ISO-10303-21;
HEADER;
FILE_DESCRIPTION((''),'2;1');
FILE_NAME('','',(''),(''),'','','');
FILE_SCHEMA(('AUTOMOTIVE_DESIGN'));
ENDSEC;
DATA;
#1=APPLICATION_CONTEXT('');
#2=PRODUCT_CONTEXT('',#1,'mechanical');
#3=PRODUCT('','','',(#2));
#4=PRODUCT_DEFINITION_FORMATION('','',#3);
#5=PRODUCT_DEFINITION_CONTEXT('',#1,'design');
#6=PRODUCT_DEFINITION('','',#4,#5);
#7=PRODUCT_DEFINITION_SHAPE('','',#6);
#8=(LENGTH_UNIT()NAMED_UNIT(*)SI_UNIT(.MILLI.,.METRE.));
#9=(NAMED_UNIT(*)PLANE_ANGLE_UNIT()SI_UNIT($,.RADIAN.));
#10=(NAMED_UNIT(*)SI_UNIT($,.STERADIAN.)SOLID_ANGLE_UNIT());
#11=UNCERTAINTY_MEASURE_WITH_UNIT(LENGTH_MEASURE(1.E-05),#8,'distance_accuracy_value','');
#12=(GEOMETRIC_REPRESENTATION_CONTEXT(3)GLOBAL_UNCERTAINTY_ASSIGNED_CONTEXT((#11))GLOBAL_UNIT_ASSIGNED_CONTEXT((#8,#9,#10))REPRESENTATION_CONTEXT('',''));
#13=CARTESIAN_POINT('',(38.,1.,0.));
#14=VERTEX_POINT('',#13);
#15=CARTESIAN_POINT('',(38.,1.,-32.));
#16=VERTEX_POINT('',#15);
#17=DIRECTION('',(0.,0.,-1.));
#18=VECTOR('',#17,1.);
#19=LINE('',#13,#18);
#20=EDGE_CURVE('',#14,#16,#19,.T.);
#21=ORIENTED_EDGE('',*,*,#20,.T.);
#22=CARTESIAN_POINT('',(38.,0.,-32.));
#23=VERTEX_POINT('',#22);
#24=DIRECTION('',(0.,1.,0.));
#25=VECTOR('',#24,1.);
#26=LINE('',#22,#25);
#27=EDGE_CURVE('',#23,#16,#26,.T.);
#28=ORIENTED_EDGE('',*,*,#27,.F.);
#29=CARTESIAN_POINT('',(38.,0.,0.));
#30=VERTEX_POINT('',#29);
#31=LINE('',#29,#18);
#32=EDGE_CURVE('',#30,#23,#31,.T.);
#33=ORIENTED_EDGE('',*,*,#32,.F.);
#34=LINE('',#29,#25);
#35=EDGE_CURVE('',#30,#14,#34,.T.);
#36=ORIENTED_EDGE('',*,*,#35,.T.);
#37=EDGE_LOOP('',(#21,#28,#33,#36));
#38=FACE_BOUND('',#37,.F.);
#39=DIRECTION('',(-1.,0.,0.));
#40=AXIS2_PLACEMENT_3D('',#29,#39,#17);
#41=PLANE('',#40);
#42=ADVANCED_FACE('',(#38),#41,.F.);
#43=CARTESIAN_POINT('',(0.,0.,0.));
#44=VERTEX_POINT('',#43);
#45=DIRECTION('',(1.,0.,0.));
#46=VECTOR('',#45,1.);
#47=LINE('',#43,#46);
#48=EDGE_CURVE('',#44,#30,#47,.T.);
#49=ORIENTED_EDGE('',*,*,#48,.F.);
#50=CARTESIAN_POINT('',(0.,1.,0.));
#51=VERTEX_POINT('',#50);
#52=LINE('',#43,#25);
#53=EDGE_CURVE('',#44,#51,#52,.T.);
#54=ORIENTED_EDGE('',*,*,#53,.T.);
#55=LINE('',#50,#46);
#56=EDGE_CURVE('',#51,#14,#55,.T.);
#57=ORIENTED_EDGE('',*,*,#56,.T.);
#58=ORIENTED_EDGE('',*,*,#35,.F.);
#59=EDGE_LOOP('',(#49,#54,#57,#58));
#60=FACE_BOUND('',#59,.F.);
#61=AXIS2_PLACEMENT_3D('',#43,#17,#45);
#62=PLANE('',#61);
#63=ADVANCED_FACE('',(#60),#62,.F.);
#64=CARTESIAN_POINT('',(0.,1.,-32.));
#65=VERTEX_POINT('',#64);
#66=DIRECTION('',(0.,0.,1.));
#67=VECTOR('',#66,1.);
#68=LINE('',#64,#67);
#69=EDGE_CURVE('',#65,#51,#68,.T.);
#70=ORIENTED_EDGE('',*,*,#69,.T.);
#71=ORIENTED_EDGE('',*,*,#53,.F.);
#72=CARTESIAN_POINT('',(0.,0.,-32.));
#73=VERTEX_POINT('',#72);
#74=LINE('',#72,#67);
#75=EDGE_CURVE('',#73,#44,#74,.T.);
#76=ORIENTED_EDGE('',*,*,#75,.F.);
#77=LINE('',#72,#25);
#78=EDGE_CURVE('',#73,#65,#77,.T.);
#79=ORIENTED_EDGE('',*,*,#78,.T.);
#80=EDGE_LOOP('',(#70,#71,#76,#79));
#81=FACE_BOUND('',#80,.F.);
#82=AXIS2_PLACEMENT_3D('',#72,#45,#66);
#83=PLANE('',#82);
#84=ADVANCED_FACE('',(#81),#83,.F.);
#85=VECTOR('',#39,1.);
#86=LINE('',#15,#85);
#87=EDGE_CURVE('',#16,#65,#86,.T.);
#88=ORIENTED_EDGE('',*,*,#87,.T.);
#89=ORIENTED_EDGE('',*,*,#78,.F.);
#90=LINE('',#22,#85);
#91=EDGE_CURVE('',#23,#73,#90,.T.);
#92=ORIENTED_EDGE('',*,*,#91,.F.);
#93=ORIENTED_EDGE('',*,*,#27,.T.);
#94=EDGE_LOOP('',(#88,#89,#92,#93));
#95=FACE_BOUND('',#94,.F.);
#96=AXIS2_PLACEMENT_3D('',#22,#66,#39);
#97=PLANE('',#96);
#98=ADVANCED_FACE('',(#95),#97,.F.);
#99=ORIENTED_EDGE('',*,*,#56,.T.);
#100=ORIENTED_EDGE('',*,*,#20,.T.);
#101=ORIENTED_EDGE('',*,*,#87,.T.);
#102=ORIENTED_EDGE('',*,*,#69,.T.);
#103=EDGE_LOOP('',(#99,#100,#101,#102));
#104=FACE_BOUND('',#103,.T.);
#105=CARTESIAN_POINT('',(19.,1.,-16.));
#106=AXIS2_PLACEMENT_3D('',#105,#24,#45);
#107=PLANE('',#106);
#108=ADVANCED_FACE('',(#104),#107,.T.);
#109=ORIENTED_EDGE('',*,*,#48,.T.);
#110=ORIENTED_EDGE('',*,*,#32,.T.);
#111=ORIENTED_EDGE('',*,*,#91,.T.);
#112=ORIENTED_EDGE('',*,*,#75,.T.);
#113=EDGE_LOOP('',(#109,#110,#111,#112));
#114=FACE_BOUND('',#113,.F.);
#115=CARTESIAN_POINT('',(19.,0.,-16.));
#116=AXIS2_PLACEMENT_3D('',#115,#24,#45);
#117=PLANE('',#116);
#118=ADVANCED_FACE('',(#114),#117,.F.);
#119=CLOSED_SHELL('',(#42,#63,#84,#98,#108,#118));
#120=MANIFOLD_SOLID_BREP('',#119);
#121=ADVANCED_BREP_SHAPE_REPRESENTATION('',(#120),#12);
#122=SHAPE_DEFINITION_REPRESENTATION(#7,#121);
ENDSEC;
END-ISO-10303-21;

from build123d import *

# Parameters (mm, degrees)
BOSS_EXTRUDE1_DEPTH = 1


with BuildPart() as part:
    # Sketch1 → Boss-Extrude1 (new body)
    with BuildSketch(Plane(origin=(0, 0, 0), x_dir=(1, 0, 0), z_dir=(0, 1, 0))):
        Polygon((0, 9.65), (0, 0), (38, 0), (38, 32), (0, 32), (0, 22.15), (0, 18.307380305), align=None)
    extrude(amount=BOSS_EXTRUDE1_DEPTH)


solid = part.part
